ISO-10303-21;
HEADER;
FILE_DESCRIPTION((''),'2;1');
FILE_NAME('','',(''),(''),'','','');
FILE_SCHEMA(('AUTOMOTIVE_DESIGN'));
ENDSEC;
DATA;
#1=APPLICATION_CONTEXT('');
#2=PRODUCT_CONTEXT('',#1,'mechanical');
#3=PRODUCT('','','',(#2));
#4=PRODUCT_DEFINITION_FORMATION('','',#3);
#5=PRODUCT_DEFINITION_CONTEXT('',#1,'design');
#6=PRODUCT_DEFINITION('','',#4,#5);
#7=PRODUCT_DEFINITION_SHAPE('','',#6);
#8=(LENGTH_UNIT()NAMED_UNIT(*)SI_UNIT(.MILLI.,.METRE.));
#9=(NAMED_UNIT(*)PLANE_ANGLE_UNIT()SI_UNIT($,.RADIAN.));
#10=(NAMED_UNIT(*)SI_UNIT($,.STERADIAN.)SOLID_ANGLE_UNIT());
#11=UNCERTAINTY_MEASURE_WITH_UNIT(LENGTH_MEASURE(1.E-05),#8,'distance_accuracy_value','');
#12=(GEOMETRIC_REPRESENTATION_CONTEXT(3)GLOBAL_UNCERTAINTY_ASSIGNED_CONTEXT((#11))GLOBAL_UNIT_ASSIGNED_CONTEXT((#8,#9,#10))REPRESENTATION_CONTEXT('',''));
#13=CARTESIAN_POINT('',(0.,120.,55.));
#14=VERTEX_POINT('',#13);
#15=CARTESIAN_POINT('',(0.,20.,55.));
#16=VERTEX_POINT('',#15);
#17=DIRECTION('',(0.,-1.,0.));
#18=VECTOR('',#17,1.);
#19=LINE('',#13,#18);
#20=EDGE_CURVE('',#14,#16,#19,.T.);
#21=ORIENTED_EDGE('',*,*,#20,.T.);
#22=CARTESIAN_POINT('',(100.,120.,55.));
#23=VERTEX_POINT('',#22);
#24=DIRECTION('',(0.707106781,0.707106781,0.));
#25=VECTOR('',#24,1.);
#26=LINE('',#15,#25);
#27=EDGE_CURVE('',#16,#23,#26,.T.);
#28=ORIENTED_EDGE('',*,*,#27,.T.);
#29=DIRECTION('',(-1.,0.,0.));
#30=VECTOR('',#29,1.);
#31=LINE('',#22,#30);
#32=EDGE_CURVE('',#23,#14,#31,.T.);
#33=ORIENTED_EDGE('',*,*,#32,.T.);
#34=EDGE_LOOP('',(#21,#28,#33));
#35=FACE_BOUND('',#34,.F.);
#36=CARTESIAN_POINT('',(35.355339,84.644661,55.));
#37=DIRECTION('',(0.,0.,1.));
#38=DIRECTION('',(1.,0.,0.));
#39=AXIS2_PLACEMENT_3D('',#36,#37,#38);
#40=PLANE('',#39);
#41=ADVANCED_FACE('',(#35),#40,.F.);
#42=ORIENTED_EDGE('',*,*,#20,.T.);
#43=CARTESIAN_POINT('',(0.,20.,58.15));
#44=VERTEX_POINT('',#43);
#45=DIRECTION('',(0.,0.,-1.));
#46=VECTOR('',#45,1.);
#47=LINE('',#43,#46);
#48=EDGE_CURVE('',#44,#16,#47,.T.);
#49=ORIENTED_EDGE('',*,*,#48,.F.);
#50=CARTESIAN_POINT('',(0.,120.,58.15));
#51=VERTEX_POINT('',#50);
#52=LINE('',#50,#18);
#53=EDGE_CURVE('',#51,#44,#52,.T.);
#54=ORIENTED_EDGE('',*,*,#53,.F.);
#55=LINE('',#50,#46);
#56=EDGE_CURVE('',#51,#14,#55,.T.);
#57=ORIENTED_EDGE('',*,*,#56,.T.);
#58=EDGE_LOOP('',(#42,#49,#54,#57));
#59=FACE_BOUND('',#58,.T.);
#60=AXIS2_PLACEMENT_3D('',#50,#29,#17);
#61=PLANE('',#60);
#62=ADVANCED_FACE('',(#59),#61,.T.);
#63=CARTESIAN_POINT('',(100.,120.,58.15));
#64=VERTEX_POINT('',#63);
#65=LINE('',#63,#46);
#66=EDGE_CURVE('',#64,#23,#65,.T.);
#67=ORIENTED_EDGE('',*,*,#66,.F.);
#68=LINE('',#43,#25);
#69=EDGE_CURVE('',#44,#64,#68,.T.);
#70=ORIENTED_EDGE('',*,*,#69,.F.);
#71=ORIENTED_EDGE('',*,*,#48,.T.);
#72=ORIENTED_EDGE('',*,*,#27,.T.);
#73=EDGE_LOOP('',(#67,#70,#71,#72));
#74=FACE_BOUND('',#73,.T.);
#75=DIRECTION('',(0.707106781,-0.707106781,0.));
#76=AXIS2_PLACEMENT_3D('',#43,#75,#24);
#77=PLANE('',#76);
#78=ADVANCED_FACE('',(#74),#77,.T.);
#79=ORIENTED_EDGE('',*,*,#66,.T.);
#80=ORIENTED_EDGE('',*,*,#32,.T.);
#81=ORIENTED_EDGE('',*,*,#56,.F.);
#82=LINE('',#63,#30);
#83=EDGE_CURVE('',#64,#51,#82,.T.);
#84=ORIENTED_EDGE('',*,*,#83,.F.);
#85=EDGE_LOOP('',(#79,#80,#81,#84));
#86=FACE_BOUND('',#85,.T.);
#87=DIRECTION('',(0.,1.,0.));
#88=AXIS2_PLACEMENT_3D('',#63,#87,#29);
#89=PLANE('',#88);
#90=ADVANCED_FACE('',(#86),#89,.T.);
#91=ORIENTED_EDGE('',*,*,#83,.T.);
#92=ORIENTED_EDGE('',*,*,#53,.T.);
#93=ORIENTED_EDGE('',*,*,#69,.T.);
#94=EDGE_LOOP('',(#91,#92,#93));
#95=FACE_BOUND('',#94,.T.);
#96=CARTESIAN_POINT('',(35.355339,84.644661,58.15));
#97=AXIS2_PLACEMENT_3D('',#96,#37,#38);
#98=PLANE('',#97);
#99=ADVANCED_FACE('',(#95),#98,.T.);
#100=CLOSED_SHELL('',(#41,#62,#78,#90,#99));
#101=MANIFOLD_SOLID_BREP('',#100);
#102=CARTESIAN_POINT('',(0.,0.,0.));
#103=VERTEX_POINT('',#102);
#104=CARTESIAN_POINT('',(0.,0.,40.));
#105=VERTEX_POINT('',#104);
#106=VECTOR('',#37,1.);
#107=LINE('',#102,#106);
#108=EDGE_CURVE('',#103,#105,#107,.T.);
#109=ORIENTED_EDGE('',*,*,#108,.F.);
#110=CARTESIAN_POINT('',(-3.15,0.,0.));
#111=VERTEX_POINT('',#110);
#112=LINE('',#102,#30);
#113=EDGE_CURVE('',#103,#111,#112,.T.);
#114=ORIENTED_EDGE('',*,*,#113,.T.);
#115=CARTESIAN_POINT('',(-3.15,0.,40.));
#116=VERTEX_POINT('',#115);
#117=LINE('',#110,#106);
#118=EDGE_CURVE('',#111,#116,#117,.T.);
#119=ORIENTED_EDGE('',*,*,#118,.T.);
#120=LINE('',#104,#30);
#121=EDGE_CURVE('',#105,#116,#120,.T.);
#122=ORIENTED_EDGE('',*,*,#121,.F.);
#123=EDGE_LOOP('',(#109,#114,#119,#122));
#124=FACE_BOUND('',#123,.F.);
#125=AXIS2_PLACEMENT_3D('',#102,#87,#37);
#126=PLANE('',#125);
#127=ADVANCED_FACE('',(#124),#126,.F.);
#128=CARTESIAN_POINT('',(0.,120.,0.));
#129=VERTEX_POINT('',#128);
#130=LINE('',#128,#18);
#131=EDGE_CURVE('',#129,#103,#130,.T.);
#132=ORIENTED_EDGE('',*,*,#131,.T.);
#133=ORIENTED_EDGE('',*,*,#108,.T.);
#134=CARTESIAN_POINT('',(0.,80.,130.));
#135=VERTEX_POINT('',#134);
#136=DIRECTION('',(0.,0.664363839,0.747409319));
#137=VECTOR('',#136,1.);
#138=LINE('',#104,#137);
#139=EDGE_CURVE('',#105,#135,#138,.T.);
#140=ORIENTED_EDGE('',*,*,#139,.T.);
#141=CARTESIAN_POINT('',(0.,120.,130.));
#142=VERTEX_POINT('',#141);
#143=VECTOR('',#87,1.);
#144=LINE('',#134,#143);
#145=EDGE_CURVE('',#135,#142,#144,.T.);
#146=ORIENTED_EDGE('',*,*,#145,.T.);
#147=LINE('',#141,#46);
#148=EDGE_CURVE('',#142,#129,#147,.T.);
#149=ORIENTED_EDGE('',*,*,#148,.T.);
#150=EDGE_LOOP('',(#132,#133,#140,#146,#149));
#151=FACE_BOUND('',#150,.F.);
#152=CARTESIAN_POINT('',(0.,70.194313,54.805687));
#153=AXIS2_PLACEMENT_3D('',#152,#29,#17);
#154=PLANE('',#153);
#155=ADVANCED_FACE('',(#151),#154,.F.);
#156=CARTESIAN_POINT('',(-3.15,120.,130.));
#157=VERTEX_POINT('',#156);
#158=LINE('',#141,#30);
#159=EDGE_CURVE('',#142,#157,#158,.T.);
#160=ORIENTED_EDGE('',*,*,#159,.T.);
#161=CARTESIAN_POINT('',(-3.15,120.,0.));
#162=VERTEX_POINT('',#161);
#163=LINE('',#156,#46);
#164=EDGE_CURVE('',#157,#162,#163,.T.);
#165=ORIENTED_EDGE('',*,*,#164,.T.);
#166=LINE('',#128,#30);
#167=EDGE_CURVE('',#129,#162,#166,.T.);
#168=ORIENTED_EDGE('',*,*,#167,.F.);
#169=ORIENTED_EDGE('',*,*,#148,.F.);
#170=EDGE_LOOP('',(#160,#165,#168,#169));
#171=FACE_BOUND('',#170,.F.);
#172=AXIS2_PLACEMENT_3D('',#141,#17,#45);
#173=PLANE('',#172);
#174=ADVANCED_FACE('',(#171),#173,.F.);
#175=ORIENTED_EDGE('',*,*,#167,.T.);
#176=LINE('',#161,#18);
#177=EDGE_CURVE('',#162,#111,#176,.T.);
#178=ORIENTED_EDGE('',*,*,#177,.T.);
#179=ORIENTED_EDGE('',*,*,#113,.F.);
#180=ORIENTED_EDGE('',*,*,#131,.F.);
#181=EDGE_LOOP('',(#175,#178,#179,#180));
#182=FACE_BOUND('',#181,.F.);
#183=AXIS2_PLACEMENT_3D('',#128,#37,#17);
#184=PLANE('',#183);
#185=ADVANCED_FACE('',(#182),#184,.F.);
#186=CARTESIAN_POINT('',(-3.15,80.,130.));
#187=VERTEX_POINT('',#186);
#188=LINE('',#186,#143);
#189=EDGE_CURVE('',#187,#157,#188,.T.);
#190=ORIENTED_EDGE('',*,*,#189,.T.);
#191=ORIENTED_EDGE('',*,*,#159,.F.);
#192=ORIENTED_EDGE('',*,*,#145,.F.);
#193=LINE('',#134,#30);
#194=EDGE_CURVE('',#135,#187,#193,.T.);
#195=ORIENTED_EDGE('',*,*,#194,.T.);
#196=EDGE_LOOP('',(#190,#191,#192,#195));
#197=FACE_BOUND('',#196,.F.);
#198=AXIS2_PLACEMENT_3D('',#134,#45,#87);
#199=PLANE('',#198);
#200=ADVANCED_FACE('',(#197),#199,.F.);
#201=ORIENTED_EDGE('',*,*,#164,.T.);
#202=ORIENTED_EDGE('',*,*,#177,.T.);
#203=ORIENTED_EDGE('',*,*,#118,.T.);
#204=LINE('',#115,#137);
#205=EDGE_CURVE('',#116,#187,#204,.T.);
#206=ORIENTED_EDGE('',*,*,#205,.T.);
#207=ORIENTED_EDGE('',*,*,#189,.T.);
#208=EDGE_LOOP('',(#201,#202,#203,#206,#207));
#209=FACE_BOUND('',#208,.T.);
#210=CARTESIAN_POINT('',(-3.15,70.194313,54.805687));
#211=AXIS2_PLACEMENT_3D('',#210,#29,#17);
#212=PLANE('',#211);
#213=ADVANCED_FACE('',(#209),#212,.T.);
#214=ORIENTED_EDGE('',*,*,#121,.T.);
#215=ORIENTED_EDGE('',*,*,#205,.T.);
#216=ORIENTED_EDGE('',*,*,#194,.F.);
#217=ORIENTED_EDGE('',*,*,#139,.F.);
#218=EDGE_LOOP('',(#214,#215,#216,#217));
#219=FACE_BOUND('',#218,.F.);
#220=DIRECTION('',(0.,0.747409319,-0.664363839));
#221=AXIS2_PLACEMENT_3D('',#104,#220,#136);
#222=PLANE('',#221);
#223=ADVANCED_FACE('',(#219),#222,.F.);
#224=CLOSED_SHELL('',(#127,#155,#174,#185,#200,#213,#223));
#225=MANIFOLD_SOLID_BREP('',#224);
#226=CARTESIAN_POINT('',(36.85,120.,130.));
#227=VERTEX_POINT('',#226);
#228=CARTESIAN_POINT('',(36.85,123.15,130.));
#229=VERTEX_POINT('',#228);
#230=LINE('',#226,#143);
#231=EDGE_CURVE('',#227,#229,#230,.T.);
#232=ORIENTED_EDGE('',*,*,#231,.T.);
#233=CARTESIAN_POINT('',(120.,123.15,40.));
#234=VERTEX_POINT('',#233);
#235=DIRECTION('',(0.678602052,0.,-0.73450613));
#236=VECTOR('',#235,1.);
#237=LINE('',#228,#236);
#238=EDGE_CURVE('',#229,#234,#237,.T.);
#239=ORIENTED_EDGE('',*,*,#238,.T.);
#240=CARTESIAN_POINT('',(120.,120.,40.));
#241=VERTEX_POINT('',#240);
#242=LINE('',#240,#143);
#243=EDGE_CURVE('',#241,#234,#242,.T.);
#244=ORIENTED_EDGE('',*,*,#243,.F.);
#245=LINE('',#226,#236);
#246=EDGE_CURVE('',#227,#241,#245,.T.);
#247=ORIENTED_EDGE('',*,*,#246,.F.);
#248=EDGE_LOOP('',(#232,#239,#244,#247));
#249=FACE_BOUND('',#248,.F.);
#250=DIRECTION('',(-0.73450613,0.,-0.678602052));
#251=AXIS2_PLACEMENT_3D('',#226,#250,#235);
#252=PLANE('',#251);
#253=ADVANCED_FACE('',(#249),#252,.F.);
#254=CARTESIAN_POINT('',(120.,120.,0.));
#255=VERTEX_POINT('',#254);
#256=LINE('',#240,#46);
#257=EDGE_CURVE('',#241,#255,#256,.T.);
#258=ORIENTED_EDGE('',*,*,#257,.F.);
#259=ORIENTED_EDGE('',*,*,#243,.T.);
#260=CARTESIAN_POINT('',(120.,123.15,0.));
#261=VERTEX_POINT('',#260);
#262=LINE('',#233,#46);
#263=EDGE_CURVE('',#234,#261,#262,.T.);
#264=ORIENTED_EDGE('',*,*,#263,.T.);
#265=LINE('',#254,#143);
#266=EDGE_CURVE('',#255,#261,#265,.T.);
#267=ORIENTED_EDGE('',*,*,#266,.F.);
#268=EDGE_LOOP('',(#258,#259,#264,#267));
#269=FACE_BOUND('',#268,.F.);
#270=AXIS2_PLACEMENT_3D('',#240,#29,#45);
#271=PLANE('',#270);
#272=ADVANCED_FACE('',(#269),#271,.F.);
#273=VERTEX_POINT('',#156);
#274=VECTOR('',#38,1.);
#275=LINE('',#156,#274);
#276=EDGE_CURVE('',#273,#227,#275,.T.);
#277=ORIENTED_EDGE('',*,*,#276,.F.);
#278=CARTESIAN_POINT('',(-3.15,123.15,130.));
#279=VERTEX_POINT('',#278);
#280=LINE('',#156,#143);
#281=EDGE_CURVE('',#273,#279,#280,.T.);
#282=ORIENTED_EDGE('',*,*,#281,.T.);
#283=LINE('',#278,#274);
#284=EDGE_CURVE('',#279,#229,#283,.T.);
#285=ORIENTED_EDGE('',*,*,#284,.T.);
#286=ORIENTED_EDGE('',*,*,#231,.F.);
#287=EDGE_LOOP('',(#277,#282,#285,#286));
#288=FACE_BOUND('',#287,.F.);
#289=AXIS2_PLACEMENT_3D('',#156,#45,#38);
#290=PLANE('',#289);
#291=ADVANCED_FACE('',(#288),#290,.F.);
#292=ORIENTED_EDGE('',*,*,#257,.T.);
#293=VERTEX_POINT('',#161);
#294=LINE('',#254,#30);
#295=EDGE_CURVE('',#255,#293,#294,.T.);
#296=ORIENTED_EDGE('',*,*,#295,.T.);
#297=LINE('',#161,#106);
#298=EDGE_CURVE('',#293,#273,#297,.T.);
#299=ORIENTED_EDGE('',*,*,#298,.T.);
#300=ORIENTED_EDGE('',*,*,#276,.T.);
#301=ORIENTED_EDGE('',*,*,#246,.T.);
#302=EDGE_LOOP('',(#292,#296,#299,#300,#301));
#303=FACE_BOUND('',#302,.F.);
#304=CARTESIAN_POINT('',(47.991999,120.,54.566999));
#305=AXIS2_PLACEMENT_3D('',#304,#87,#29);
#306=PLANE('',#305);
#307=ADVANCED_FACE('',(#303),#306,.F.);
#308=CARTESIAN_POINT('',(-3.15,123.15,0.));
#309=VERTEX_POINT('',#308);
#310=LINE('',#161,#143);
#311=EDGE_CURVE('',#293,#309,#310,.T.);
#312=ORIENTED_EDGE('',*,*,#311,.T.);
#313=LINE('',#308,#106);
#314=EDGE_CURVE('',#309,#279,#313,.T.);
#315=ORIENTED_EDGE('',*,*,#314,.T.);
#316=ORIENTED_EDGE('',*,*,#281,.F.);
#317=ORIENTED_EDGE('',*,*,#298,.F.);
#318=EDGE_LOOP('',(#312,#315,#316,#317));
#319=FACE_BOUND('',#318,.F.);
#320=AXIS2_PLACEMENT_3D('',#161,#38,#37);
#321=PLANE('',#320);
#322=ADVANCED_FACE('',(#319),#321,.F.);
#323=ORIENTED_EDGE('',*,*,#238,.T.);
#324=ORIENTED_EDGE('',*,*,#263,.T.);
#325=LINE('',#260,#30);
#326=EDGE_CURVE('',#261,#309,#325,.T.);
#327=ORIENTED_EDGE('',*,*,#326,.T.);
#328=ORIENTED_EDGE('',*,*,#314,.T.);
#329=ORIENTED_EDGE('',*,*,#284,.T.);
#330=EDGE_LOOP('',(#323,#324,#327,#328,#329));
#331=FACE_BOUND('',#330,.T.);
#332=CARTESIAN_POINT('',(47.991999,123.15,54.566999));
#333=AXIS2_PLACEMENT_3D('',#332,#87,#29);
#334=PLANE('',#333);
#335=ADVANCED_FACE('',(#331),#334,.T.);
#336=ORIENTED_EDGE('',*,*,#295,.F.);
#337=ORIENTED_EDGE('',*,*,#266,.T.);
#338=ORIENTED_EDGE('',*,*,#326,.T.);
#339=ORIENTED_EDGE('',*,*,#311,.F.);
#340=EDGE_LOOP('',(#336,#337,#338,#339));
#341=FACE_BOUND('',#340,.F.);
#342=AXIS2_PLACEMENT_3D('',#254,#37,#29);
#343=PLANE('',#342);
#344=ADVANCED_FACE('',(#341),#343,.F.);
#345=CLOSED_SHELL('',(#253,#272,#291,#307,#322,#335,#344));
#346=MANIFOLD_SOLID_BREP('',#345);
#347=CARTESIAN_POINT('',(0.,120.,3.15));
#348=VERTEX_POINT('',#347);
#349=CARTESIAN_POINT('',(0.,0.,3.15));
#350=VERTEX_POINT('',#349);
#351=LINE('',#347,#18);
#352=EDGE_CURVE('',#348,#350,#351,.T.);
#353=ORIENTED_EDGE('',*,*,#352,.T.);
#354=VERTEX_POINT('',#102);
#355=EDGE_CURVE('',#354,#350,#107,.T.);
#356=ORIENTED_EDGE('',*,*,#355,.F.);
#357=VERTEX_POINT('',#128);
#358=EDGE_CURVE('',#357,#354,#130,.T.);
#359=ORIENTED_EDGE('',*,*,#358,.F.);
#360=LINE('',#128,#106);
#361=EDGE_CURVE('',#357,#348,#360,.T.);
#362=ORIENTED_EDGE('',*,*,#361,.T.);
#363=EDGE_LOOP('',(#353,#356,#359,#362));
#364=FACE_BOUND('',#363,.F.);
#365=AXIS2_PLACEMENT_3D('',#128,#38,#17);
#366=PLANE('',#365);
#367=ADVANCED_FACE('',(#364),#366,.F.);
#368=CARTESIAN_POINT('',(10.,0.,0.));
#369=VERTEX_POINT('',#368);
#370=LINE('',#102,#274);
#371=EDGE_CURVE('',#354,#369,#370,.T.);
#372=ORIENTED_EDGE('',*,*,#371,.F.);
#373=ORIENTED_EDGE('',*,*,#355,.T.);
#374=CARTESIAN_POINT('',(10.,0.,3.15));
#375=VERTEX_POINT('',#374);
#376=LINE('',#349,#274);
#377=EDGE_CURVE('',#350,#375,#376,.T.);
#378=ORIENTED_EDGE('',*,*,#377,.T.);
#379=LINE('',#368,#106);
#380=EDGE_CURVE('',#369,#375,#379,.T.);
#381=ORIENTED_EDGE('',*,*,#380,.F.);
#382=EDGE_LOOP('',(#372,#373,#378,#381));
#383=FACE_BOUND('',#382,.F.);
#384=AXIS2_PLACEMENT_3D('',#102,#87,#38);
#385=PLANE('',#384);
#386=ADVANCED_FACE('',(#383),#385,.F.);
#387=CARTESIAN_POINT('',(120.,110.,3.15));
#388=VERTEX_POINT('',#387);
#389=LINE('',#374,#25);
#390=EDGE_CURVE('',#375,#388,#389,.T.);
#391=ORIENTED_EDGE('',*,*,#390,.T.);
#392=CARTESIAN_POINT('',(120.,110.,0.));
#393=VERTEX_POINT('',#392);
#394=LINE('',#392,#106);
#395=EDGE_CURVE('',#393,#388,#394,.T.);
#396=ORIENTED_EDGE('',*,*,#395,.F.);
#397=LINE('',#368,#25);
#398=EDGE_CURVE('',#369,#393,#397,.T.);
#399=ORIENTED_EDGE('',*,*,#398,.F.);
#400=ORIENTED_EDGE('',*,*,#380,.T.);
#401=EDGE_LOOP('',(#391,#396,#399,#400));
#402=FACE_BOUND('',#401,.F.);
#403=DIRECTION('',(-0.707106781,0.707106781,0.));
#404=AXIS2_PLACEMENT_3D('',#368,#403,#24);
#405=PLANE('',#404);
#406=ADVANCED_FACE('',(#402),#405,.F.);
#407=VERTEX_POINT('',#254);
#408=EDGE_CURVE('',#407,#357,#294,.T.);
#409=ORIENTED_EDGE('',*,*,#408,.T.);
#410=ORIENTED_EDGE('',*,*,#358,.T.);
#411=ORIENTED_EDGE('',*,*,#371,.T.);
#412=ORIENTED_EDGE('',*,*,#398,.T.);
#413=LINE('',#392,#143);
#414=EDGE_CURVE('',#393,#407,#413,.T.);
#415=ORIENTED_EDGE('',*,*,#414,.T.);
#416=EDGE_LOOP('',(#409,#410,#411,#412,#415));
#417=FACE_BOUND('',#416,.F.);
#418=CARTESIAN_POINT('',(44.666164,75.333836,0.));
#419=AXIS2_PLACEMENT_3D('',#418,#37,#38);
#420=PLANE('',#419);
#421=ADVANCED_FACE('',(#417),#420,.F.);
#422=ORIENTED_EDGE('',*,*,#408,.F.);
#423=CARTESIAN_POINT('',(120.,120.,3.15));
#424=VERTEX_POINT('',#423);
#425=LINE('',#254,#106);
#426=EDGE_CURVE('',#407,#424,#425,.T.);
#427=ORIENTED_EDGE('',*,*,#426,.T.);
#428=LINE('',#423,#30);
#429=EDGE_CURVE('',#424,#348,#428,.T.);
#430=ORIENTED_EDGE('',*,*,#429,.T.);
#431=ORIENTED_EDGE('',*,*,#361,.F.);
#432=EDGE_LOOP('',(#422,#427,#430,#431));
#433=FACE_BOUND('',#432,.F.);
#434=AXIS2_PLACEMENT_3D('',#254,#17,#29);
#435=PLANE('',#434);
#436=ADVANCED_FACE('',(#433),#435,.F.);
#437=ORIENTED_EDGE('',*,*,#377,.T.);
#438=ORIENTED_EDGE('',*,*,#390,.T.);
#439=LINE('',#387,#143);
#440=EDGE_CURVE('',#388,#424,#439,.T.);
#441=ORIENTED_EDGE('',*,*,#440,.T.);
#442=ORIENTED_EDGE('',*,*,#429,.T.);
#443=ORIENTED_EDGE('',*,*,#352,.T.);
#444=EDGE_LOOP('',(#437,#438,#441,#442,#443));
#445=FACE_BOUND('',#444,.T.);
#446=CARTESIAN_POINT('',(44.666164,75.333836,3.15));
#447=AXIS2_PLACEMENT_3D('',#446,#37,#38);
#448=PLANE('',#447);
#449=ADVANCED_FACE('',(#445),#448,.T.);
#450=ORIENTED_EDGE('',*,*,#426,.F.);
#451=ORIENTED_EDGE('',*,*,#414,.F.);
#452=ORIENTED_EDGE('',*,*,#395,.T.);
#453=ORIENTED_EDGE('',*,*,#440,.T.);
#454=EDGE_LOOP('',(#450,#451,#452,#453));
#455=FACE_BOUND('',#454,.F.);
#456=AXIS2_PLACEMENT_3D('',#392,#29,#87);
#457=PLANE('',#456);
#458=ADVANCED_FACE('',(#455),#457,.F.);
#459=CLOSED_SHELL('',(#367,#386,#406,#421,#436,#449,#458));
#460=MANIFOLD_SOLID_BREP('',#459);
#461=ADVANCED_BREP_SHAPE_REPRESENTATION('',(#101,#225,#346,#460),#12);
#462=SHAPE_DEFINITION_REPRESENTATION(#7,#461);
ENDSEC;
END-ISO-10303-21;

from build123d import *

# Parameters (mm, degrees)
F2_DEPTH = 3.15
F4_DEPTH = 3.15
F6_DEPTH = 3.15
F9_DEPTH = 3.15


with BuildPart() as f2:
    # F1 (on Top) → F2 (new body)
    with BuildSketch(Plane.XY):
        Polygon((0, 120), (0, 0), (10, 0), (120, 110), (120, 120), align=None)
    extrude(amount=F2_DEPTH)


with BuildPart() as f4:
    # F3 (on face) → F4 (new body)
    with BuildSketch(Plane(origin=(0, 0, 0), x_dir=(0, -1, 0), z_dir=(-1, 0, 0))):
        Polygon((0, 40), (-80, 130), (-120, 130), (-120, 0), (0, 0), align=None)
    extrude(amount=F4_DEPTH)


with BuildPart() as f6:
    # F5 (on face) → F6 (new body)
    with BuildSketch(Plane(origin=(0, 120, 0), x_dir=(-1, 0, 0), z_dir=(0, 1, 0))):
        Polygon((-120, 40), (-120, 0), (3.15, 0), (3.15, 130), (-36.85, 130), align=None)
    extrude(amount=F6_DEPTH)


with BuildPart() as f9:
    # F8 (on offset) → F9 (new body)
    with BuildSketch(Plane.XY.offset(58.15)):
        Polygon((0, 120), (0, 20), (100, 120), align=None)
    extrude(amount=-F9_DEPTH)


solid = Compound([f2.part, f4.part, f6.part, f9.part])
